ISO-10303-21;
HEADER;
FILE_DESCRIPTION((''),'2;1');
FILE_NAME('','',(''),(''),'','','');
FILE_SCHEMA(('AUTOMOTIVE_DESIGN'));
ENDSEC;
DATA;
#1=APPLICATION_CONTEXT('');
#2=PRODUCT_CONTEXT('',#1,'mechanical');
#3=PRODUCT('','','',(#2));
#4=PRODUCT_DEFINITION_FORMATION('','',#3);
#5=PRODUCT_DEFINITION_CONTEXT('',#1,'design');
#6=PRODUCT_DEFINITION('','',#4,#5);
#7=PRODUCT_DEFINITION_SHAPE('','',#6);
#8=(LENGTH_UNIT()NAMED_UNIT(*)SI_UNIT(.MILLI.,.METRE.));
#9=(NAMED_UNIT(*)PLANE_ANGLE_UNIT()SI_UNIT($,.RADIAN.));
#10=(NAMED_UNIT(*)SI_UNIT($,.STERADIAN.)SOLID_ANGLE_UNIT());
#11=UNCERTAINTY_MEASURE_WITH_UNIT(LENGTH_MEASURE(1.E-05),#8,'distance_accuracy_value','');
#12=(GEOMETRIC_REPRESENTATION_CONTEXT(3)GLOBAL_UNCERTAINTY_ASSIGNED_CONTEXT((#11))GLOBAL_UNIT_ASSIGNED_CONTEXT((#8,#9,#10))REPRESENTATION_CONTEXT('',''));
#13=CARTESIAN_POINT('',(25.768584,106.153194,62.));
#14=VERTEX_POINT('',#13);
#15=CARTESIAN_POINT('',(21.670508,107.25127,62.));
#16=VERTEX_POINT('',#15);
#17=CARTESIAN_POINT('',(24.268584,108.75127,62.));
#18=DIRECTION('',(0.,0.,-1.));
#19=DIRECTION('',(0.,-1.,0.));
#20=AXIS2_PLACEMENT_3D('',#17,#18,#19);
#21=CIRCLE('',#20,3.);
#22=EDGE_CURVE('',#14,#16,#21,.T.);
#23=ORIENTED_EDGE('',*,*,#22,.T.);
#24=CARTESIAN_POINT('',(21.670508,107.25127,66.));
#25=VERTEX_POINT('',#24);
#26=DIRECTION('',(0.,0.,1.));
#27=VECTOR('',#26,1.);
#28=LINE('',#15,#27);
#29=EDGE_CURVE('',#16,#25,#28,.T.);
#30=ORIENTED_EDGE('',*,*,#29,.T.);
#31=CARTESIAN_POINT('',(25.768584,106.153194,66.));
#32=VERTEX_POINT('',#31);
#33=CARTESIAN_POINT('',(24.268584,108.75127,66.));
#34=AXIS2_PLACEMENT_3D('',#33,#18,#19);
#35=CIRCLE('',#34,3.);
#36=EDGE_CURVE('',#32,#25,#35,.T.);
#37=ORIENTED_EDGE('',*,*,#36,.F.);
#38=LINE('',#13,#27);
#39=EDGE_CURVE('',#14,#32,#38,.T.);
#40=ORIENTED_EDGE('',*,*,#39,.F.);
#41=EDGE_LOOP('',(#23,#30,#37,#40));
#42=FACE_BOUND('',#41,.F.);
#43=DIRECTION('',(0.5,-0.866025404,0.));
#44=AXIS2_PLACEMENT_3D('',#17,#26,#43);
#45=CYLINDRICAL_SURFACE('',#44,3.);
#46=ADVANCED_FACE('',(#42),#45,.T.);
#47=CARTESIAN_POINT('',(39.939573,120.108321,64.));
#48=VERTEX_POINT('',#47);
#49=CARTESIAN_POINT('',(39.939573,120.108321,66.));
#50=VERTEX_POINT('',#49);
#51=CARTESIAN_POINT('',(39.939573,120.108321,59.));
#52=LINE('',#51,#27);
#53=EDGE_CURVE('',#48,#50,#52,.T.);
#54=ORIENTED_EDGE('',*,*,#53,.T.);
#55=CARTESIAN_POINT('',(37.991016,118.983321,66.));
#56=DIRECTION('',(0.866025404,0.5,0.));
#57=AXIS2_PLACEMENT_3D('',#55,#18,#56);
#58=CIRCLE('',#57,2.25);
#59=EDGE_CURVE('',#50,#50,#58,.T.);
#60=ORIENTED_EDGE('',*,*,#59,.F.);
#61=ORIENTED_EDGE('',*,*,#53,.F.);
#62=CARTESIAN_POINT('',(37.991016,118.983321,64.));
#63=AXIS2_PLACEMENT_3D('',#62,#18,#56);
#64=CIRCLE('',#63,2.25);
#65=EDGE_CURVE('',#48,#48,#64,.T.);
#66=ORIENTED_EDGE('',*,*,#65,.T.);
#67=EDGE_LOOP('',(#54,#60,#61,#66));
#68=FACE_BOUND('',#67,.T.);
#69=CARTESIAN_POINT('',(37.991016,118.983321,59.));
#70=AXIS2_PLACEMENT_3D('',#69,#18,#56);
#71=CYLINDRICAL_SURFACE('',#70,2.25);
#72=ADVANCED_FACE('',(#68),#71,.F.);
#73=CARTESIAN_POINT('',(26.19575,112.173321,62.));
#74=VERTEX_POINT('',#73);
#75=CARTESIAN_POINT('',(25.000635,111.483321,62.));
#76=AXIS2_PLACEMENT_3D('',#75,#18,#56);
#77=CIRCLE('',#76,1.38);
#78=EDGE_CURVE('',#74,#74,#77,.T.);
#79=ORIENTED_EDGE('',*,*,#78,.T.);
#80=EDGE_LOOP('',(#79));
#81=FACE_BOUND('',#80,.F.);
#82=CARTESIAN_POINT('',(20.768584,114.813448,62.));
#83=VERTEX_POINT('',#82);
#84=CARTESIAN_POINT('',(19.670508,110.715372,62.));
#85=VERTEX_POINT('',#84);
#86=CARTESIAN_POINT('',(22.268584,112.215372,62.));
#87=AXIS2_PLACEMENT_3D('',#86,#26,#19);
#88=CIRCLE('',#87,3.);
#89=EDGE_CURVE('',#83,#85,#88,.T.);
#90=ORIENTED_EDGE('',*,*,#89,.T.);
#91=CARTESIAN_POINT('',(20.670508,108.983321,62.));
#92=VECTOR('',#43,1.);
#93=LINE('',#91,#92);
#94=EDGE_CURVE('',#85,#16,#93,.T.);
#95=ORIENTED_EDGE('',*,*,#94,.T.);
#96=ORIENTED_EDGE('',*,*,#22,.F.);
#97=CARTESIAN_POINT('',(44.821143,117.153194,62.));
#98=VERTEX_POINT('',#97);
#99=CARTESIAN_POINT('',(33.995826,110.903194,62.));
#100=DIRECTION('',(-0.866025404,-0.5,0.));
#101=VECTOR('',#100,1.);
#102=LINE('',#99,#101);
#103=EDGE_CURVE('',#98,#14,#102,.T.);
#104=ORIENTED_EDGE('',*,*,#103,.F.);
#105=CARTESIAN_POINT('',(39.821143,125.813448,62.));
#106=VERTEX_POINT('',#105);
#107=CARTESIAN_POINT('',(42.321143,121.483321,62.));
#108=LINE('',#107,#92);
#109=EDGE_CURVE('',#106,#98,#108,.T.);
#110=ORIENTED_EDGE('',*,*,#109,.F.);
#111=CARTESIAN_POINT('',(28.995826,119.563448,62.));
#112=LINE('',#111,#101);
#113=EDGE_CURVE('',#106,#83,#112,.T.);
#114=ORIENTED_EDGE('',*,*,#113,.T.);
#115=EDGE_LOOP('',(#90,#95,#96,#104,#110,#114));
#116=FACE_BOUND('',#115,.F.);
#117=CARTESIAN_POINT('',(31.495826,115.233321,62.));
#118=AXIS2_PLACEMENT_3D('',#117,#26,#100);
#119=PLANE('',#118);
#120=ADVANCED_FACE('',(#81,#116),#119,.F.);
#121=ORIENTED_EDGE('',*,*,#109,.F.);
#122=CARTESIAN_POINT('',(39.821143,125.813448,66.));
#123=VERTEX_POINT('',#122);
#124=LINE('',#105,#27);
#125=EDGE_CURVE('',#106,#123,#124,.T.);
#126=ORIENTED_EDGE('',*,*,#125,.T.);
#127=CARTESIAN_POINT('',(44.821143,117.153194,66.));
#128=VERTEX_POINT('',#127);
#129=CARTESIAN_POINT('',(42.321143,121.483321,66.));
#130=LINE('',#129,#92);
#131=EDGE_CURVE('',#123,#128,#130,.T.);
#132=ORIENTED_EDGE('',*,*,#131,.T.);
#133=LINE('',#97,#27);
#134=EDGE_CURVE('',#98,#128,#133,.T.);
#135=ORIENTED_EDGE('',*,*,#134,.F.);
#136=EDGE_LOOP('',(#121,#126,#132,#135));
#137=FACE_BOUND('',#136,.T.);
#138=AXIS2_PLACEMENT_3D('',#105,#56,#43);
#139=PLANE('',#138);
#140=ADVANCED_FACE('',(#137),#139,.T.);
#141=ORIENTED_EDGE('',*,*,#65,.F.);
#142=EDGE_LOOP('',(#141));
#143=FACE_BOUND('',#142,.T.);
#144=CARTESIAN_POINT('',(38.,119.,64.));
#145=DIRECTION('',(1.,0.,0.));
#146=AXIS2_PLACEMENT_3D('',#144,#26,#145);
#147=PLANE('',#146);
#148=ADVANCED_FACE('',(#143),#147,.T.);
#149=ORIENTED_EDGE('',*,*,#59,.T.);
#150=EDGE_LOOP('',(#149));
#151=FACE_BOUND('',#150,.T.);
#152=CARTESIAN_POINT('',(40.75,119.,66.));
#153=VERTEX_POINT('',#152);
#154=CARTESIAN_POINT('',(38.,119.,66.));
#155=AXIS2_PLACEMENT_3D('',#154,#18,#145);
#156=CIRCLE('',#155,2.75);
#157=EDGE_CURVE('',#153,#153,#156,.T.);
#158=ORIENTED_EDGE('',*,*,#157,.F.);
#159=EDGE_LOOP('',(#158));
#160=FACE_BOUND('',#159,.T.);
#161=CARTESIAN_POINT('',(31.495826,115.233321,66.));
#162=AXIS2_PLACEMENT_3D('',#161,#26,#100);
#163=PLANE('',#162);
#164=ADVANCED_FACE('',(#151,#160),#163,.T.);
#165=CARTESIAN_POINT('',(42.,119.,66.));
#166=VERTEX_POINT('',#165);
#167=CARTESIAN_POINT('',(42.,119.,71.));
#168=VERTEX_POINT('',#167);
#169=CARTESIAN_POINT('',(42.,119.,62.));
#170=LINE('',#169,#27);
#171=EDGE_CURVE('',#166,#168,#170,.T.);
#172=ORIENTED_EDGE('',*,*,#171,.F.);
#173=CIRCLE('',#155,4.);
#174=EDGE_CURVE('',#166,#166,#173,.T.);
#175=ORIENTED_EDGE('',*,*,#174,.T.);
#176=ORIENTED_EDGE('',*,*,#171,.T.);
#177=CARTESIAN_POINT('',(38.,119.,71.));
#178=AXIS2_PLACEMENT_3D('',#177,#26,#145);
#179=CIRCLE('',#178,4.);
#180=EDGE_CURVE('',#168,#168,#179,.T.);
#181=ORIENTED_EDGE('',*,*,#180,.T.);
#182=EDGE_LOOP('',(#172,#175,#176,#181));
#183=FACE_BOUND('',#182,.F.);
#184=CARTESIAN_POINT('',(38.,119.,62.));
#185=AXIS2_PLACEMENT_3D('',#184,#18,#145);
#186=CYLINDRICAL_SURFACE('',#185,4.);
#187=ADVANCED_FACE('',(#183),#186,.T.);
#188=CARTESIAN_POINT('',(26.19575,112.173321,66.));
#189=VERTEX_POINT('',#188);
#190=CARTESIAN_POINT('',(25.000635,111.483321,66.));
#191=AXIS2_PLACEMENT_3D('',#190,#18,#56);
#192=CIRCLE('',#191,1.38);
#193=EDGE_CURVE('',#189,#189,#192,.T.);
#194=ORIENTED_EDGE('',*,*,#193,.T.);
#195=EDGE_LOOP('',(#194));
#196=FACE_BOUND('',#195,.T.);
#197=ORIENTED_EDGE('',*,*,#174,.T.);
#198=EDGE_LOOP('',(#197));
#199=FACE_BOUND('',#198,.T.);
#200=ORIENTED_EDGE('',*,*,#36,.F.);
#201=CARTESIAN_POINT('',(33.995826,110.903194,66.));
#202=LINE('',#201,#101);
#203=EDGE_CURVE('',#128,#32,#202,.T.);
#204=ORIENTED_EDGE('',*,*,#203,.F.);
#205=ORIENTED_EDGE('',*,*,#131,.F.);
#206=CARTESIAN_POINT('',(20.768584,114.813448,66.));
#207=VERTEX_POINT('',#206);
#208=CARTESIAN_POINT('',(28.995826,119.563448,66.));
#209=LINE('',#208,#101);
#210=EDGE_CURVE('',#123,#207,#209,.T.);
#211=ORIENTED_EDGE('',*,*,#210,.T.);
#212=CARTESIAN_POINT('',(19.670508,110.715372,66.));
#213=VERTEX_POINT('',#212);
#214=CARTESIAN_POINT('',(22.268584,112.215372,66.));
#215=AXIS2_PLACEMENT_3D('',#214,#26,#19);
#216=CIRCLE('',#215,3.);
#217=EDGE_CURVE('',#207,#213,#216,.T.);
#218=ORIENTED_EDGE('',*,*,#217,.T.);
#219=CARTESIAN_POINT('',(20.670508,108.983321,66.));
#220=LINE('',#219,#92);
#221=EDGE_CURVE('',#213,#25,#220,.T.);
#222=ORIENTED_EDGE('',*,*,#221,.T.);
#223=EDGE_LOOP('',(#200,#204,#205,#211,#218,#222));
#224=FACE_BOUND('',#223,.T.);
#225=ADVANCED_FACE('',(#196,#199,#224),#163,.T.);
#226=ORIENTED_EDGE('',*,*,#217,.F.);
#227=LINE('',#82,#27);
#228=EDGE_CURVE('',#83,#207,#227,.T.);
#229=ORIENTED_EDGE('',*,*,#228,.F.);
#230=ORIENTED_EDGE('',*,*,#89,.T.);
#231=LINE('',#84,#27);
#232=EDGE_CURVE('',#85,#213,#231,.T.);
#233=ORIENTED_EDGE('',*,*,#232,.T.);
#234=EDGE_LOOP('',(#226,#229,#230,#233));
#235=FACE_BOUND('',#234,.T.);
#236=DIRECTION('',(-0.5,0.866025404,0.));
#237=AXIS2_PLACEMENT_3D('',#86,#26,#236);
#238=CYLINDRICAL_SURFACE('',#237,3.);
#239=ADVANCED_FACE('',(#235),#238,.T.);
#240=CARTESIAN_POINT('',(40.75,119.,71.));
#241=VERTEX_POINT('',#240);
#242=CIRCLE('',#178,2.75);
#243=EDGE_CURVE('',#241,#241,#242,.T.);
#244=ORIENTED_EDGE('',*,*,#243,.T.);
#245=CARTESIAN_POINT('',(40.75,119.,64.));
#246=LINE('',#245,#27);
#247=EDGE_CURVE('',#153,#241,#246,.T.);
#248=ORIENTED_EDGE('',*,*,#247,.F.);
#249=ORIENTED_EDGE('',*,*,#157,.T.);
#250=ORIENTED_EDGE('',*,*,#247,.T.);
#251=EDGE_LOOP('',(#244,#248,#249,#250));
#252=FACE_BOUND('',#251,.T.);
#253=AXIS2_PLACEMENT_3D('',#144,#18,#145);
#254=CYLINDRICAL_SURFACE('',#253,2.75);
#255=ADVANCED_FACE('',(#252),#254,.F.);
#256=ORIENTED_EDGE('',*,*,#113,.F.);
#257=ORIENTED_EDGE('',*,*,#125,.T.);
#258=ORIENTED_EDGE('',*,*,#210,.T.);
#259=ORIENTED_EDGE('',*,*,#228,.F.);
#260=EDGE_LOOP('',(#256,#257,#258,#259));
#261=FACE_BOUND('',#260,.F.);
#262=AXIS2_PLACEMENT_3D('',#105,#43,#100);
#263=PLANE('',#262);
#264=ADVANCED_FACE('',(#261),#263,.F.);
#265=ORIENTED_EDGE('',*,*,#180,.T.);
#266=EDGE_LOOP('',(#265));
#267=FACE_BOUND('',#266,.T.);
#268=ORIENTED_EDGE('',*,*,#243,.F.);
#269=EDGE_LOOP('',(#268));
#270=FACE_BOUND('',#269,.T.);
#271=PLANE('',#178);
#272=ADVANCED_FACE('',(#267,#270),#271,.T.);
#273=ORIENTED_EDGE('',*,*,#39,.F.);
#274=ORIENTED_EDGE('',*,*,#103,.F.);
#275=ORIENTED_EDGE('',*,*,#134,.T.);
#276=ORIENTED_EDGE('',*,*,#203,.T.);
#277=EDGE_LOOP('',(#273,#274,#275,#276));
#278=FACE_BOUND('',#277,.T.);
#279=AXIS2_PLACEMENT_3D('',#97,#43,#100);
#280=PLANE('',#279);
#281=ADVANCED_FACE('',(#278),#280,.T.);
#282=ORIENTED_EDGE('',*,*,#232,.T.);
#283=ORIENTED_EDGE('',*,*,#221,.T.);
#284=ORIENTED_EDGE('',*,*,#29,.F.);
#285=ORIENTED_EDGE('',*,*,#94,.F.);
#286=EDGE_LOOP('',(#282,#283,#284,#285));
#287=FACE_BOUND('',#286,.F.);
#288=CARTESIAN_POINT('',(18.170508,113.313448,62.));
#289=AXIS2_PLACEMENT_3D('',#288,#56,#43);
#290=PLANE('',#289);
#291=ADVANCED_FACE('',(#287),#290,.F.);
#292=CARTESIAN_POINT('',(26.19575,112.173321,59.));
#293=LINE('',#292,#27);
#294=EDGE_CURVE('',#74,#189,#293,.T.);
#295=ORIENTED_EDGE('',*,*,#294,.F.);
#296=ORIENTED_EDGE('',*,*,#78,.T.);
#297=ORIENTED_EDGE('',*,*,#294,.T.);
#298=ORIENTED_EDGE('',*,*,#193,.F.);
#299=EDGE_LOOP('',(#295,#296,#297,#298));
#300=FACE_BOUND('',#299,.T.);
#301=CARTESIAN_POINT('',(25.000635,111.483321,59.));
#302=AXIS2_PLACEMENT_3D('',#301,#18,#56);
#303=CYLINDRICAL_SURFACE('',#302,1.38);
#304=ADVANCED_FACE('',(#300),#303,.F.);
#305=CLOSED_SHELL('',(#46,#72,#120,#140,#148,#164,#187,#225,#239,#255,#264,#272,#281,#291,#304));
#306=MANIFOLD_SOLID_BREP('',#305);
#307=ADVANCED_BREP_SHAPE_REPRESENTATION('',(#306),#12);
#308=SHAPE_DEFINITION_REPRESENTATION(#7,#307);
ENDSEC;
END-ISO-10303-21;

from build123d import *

# Parameters (mm, degrees)
CYLINDER083_R          = 2.75
CYLINDER083_DEPTH      = 7
CYLINDER082_R          = 4
CYLINDER082_DEPTH      = 9
CYLINDER070_R          = 1.38
CYLINDER070_DEPTH      = 10
CYLINDER072_R          = 2.25
CYLINDER072_DEPTH      = 10
BOX040_W               = 25
BOX040_H               = 10
BOX040_DEPTH           = 4
CUT048_PLACEMENT_ANGLE = 30
FILLET007_R            = 3


with BuildPart() as cilindro003:
    # Cylinder083 → Cylinder083 (new body)
    with BuildSketch(Plane(origin=(17, 17, 12), x_dir=(1, 0, 0), z_dir=(0, 0, 1))):
        Circle(CYLINDER083_R)
    extrude(amount=CYLINDER083_DEPTH)


with BuildPart() as extensi_n_servo001:
    # Cylinder082 → Cylinder082 (new body)
    with BuildSketch(Plane(origin=(17, 17, 10), x_dir=(1, 0, 0), z_dir=(0, 0, 1))):
        Circle(CYLINDER082_R)
    extrude(amount=CYLINDER082_DEPTH)

    # Cut054: cut Cilindro003
    add(cilindro003.part, mode=Mode.SUBTRACT)


with BuildPart() as extensi_n_servo001_1:
    # Cut054 placement: moved
    add(extensi_n_servo001.part.moved(Location((21, 102, 52))))


with BuildPart() as cylinder070:
    # Cylinder070 → Cylinder070 (new body)
    with BuildSketch(Plane(origin=(25, 52, 59), x_dir=(1, 0, 0), z_dir=(0, 0, 1))):
        Circle(CYLINDER070_R)
    extrude(amount=CYLINDER070_DEPTH)


with BuildPart() as cylinder072:
    # Cylinder072 → Cylinder072 (new body)
    with BuildSketch(Plane(origin=(40, 52, 59), x_dir=(1, 0, 0), z_dir=(0, 0, 1))):
        Circle(CYLINDER072_R)
    extrude(amount=CYLINDER072_DEPTH)


with BuildPart() as fusion010:
    # Box040 → Box040 (new body)
    with BuildSketch(Plane(origin=(45, 57, 62), x_dir=(-1, 0, 0), z_dir=(0, 0, 1))):
        with Locations((12.5, 5)):
            Rectangle(BOX040_W, BOX040_H)
    extrude(amount=BOX040_DEPTH)

    # Cut047: cut Cylinder072
    add(cylinder072.part, mode=Mode.SUBTRACT)

    # Cut048: cut Cylinder070
    add(cylinder070.part, mode=Mode.SUBTRACT)


with BuildPart() as fusion010_1:
    # Cut048 placement: moved
    add(fusion010.part.moved(Location((31.35, -13.05, 0))).rotate(Axis((31.35, -13.05, 0), (0, 0, 1)), CUT048_PLACEMENT_ANGLE))

    # Fillet007
    fillet007_edges = [fusion010_1.edges().sort_by_distance(p)[0] for p in [
        (20.170508, 46.313448, 64),
        (25.170508, 37.653194, 64),
    ]]
    fillet(fillet007_edges, radius=FILLET007_R)


with BuildPart() as fusion010_2:
    # Fillet007 placement: moved
    add(fusion010_1.part.moved(Location((-2, 67, 0))))

    # Fusion010: union Extensión servo001
    add(extensi_n_servo001_1.part)


solid = fusion010_2.part
